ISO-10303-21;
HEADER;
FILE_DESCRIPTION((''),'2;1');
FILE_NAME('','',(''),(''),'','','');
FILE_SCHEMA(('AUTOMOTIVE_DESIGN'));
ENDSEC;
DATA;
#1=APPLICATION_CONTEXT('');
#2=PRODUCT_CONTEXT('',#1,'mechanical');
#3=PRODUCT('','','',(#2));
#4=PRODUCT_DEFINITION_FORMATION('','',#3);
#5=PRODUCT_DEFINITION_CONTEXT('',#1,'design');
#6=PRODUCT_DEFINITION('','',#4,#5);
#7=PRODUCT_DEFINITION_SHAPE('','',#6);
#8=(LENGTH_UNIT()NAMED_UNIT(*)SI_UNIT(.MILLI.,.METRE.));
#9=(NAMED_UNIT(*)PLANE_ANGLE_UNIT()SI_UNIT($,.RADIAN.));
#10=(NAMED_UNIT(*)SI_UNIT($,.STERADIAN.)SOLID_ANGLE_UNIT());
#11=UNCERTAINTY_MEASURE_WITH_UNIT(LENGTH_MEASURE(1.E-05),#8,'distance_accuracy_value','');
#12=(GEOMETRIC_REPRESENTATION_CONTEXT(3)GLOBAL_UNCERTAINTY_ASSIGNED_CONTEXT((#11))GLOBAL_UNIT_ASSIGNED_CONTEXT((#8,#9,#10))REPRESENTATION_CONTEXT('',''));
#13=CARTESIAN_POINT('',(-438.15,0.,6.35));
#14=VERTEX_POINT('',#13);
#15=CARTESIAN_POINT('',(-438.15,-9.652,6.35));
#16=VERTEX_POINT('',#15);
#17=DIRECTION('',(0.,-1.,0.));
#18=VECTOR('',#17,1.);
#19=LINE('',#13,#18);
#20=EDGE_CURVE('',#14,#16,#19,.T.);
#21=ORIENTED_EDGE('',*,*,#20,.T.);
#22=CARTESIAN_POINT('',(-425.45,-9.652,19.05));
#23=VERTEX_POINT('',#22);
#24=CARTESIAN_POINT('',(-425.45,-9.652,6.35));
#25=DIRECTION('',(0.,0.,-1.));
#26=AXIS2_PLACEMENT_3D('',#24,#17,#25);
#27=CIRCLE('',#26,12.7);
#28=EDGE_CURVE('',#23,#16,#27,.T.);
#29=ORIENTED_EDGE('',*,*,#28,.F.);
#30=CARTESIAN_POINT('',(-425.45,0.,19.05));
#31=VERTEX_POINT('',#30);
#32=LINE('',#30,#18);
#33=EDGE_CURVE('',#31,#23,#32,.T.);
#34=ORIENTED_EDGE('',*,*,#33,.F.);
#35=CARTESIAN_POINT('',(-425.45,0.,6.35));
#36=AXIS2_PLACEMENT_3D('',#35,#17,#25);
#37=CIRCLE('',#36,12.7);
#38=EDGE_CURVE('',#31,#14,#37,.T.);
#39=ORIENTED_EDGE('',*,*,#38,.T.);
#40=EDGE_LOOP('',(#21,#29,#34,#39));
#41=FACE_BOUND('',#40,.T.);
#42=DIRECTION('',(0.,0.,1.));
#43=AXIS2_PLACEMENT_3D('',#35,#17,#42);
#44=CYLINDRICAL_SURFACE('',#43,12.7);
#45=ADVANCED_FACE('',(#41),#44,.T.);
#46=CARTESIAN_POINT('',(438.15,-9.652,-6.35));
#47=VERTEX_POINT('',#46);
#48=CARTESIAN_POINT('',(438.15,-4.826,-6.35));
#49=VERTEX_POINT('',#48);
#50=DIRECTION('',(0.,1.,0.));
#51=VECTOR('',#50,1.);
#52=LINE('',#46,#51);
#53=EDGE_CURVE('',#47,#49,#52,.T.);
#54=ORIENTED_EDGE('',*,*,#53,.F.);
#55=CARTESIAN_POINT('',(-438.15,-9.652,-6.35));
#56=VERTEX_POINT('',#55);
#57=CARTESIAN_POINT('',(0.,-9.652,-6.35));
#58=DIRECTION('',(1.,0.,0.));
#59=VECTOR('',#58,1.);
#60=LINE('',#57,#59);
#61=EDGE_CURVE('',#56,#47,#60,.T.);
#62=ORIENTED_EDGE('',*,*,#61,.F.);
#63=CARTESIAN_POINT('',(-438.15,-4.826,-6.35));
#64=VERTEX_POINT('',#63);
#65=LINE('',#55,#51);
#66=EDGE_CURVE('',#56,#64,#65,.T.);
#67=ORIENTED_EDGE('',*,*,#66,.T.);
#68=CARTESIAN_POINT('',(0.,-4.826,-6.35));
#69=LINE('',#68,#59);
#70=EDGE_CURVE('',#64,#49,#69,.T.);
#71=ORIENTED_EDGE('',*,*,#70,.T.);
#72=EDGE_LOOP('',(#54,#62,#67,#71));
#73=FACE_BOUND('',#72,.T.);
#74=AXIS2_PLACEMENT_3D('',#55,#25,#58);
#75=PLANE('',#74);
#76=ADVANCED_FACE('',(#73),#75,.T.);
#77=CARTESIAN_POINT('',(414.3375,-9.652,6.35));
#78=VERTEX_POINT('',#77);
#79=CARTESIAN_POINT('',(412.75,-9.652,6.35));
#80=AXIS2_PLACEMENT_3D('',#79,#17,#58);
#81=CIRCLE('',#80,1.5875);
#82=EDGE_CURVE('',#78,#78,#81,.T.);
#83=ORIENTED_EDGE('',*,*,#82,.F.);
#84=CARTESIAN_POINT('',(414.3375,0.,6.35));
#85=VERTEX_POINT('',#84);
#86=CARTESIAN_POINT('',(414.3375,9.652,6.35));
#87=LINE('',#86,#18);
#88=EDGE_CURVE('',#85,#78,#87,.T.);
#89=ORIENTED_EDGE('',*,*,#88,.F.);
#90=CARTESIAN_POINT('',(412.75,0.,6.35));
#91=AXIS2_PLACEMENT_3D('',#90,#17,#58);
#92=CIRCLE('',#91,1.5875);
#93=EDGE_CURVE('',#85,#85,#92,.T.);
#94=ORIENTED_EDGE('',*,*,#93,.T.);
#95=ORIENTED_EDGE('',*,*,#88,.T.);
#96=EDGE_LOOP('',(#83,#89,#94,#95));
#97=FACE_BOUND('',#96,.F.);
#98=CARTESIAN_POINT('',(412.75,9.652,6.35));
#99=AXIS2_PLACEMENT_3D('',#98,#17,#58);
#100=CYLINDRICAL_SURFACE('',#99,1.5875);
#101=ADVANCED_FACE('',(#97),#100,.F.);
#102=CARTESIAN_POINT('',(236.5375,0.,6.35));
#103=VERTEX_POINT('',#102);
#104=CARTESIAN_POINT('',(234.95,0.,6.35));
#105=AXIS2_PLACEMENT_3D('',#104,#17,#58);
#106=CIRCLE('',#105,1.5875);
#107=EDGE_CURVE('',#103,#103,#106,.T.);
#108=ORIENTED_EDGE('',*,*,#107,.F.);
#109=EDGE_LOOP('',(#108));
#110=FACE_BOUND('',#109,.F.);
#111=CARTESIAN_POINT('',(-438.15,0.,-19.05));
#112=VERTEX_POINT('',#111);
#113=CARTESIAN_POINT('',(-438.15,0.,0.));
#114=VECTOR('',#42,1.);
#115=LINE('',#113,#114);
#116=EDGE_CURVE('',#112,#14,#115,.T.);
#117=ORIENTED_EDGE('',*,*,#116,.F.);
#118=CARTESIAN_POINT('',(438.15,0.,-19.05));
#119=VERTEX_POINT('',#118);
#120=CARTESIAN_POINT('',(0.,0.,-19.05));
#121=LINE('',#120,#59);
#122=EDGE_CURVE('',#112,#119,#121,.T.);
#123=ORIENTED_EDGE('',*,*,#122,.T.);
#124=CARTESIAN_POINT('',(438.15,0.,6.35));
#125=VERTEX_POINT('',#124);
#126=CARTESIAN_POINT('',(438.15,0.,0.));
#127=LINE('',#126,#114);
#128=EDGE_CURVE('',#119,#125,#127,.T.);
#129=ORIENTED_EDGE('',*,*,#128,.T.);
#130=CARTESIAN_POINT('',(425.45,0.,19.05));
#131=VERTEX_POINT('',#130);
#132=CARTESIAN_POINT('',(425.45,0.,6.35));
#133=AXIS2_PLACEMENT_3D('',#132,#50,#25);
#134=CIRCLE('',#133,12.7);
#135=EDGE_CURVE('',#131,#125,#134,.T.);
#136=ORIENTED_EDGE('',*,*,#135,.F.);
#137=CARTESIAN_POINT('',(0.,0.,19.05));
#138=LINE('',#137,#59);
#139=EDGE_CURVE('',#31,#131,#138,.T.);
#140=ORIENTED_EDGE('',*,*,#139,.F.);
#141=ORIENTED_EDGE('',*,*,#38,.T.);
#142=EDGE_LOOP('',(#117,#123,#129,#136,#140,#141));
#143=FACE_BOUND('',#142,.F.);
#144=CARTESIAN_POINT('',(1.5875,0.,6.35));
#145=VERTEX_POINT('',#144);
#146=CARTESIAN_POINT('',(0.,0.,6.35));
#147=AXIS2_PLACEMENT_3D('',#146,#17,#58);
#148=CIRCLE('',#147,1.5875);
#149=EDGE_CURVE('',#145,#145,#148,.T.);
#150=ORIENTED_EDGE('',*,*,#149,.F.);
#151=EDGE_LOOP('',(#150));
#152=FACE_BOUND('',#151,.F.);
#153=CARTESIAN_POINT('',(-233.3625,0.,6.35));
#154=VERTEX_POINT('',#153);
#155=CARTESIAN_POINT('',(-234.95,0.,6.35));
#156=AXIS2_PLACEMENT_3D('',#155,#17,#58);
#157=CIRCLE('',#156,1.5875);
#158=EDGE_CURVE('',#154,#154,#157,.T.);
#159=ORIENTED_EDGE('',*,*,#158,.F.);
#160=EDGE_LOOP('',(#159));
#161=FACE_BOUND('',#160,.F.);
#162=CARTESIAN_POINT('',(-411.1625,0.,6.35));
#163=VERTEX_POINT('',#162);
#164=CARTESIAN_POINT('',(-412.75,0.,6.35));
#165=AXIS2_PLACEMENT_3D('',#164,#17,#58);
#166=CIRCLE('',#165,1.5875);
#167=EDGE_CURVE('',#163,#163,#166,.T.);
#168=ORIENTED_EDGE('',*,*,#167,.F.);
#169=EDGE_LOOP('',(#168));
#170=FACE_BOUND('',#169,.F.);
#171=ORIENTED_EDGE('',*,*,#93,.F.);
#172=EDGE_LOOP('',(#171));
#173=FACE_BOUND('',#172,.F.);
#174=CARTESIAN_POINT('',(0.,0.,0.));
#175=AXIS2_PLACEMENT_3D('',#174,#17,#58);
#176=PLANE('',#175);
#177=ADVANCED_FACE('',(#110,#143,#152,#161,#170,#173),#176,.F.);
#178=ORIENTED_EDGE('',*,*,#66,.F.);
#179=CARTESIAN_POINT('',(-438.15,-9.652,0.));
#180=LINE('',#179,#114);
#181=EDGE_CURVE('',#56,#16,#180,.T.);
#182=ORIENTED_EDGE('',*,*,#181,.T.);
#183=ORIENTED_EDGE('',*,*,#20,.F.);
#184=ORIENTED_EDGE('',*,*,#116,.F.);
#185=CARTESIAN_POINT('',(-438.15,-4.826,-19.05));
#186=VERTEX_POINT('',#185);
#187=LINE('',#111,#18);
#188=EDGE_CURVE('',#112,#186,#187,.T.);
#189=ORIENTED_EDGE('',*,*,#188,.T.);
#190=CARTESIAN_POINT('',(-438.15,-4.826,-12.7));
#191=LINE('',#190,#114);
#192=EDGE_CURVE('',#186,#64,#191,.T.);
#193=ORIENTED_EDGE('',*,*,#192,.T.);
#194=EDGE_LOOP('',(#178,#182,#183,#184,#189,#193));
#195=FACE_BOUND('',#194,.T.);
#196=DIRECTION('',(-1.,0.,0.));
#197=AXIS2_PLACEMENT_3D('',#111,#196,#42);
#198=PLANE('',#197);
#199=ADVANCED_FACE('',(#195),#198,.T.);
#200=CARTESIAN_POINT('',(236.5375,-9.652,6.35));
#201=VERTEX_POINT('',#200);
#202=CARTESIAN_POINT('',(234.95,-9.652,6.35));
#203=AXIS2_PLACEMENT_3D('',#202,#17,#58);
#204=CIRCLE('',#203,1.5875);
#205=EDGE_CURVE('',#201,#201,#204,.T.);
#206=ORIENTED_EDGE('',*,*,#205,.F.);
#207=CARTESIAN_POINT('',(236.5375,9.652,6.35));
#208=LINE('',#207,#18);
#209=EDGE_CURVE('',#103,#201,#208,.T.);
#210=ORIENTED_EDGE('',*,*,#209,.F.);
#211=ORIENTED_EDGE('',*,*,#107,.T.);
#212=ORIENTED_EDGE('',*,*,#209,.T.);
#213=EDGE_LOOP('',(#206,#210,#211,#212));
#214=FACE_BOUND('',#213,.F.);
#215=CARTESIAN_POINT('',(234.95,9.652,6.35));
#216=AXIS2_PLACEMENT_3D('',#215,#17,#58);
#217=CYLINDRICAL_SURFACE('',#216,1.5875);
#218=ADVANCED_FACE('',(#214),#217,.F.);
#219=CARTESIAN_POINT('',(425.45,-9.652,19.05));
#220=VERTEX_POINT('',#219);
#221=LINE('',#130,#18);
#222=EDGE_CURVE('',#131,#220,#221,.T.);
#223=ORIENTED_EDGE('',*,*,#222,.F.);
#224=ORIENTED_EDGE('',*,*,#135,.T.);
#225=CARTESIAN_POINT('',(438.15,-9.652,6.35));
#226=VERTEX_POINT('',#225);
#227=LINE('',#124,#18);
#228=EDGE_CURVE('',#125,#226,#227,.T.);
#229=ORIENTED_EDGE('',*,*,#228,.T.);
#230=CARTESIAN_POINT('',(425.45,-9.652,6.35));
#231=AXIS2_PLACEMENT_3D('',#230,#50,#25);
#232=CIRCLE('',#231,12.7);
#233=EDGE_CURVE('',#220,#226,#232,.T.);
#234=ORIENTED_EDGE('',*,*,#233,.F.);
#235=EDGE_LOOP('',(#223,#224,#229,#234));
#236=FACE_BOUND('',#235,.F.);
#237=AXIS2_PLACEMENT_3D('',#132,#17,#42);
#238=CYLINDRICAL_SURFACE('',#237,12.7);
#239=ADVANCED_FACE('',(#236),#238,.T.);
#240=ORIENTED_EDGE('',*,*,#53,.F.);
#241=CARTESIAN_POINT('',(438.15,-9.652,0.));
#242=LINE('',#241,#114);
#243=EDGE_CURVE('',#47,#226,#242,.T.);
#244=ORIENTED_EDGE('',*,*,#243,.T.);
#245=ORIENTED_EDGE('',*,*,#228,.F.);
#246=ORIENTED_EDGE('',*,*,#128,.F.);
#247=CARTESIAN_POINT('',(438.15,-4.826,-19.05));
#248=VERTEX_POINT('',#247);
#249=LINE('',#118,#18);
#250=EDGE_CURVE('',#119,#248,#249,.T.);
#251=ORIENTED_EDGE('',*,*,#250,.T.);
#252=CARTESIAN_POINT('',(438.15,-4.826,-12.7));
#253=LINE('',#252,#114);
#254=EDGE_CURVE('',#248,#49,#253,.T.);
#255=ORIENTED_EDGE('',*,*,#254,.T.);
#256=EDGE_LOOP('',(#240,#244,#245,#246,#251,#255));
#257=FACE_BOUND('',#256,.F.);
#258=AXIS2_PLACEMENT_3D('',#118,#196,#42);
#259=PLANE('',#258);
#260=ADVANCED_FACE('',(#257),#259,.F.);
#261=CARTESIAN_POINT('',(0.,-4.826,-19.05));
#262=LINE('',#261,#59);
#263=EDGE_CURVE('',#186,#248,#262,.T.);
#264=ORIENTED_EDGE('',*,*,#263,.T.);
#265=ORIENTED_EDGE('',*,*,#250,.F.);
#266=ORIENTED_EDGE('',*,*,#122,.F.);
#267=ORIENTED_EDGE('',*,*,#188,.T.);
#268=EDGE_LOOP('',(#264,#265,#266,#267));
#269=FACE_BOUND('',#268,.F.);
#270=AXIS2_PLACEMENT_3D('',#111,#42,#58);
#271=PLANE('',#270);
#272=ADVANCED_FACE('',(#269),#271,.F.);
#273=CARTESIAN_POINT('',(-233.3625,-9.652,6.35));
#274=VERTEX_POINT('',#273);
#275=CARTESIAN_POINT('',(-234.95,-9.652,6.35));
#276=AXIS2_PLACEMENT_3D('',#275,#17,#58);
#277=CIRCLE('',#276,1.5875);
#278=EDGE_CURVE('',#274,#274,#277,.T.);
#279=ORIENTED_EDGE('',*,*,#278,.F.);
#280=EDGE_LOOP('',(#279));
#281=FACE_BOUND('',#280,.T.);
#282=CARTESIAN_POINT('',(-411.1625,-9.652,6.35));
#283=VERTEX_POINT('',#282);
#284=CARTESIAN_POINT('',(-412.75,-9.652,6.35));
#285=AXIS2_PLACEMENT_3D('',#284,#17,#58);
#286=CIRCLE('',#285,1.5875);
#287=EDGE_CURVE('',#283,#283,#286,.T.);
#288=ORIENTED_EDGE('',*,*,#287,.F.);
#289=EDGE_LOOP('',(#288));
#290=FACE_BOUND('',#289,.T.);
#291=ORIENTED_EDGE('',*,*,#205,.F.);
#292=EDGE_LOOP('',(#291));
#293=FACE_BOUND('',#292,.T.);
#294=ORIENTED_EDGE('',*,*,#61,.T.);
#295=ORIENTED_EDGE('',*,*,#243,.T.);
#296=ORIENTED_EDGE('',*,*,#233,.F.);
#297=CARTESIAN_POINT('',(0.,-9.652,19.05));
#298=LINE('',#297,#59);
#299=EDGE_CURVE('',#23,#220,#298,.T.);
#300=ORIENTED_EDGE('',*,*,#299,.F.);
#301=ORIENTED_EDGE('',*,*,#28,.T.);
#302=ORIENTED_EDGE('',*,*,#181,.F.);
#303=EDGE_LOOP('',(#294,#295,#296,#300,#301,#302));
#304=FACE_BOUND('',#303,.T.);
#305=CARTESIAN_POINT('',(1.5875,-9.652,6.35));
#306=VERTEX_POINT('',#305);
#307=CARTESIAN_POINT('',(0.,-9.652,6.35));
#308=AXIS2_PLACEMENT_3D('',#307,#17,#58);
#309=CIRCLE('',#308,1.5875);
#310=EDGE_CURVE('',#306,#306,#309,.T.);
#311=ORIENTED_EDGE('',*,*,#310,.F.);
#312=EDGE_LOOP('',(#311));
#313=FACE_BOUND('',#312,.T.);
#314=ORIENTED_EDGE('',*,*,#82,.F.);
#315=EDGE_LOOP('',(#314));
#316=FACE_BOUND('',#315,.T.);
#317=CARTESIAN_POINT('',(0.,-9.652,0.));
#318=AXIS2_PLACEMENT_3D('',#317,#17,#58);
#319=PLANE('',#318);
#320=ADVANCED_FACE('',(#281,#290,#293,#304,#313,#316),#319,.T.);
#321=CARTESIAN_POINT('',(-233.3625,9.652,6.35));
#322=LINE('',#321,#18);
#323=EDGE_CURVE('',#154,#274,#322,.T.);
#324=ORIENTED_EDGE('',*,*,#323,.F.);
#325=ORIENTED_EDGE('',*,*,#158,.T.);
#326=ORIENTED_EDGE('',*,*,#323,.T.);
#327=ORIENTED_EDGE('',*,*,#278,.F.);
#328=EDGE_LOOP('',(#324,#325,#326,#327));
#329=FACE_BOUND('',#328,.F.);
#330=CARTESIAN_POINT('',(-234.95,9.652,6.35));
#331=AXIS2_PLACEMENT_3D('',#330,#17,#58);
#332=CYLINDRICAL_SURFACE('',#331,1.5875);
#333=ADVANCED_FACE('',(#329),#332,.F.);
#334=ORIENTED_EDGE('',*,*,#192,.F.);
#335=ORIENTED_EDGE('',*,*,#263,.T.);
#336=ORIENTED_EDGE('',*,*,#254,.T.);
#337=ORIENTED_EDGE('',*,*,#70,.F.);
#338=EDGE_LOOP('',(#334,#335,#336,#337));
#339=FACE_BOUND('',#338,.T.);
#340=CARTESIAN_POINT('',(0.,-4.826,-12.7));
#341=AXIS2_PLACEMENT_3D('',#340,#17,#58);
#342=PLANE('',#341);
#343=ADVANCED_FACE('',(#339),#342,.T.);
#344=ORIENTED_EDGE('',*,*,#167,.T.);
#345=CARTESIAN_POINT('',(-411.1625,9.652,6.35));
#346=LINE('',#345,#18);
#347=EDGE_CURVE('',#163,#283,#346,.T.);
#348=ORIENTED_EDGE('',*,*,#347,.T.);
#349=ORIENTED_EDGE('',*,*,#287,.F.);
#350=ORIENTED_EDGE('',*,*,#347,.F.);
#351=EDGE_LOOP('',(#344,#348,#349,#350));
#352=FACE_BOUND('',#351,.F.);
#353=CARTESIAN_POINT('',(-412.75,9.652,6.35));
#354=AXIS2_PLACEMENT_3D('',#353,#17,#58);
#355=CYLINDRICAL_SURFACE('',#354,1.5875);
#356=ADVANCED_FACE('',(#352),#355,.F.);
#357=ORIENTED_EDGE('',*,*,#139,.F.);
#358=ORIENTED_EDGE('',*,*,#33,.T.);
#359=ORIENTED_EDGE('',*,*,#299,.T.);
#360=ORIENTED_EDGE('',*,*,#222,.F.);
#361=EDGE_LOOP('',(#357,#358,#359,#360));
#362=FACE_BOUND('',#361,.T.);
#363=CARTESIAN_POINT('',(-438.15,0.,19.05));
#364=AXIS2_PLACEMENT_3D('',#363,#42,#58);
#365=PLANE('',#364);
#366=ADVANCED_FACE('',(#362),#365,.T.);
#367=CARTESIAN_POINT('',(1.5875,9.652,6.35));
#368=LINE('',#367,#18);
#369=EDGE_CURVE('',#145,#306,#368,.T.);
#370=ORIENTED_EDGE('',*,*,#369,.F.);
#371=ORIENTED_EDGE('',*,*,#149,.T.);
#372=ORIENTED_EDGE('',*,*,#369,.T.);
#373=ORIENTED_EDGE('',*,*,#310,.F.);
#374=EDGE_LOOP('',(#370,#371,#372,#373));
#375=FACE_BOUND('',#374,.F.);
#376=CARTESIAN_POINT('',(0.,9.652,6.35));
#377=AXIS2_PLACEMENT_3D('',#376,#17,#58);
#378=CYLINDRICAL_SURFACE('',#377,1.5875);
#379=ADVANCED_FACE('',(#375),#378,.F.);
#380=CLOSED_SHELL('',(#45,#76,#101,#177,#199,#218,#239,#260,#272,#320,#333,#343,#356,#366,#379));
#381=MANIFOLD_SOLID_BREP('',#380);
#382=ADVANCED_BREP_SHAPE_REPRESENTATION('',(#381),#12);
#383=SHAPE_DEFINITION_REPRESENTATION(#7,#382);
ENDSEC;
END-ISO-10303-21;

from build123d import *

# Parameters (mm, degrees)
F0_W     = 876.3
F0_H     = 38.1
F1_DEPTH = 9.652
F3_D     = 3.175
F3_DEPTH = 9.652
F4_R     = 12.7
F5_R     = 12.7
F6_W     = 876.3
F6_H     = 12.7
F7_DEPTH = 4.826


with BuildPart() as f1:
    # F0 (on Front) → F1 (new body)
    with BuildSketch(Plane.XZ):
        Rectangle(F0_W, F0_H)
    extrude(amount=F1_DEPTH)

    # F3
    with Locations(Plane(origin=(0, 0, 0), x_dir=(-1, 0, 0), z_dir=(0, 1, 0))):
        with Locations((-412.75, 6.35), (-234.95, 6.35), (0, 6.35), (234.95, 6.35), (412.75, 6.35)):
            Hole(F3_D / 2, depth=F3_DEPTH)

    # F4
    f4_edges = [f1.edges().sort_by_distance(p)[0] for p in [
        (438.15, -4.826, 19.05),
    ]]
    fillet(f4_edges, radius=F4_R)

    # F5
    f5_edges = [f1.edges().sort_by_distance(p)[0] for p in [
        (-438.15, -4.826, 19.05),
    ]]
    fillet(f5_edges, radius=F5_R)

    # F6 (on face) → F7 (cut)
    with BuildSketch(Plane.XZ.offset(9.652)):
        with Locations((0, -12.7)):
            Rectangle(F6_W, F6_H)
    extrude(amount=-F7_DEPTH, mode=Mode.SUBTRACT)


solid = f1.part
